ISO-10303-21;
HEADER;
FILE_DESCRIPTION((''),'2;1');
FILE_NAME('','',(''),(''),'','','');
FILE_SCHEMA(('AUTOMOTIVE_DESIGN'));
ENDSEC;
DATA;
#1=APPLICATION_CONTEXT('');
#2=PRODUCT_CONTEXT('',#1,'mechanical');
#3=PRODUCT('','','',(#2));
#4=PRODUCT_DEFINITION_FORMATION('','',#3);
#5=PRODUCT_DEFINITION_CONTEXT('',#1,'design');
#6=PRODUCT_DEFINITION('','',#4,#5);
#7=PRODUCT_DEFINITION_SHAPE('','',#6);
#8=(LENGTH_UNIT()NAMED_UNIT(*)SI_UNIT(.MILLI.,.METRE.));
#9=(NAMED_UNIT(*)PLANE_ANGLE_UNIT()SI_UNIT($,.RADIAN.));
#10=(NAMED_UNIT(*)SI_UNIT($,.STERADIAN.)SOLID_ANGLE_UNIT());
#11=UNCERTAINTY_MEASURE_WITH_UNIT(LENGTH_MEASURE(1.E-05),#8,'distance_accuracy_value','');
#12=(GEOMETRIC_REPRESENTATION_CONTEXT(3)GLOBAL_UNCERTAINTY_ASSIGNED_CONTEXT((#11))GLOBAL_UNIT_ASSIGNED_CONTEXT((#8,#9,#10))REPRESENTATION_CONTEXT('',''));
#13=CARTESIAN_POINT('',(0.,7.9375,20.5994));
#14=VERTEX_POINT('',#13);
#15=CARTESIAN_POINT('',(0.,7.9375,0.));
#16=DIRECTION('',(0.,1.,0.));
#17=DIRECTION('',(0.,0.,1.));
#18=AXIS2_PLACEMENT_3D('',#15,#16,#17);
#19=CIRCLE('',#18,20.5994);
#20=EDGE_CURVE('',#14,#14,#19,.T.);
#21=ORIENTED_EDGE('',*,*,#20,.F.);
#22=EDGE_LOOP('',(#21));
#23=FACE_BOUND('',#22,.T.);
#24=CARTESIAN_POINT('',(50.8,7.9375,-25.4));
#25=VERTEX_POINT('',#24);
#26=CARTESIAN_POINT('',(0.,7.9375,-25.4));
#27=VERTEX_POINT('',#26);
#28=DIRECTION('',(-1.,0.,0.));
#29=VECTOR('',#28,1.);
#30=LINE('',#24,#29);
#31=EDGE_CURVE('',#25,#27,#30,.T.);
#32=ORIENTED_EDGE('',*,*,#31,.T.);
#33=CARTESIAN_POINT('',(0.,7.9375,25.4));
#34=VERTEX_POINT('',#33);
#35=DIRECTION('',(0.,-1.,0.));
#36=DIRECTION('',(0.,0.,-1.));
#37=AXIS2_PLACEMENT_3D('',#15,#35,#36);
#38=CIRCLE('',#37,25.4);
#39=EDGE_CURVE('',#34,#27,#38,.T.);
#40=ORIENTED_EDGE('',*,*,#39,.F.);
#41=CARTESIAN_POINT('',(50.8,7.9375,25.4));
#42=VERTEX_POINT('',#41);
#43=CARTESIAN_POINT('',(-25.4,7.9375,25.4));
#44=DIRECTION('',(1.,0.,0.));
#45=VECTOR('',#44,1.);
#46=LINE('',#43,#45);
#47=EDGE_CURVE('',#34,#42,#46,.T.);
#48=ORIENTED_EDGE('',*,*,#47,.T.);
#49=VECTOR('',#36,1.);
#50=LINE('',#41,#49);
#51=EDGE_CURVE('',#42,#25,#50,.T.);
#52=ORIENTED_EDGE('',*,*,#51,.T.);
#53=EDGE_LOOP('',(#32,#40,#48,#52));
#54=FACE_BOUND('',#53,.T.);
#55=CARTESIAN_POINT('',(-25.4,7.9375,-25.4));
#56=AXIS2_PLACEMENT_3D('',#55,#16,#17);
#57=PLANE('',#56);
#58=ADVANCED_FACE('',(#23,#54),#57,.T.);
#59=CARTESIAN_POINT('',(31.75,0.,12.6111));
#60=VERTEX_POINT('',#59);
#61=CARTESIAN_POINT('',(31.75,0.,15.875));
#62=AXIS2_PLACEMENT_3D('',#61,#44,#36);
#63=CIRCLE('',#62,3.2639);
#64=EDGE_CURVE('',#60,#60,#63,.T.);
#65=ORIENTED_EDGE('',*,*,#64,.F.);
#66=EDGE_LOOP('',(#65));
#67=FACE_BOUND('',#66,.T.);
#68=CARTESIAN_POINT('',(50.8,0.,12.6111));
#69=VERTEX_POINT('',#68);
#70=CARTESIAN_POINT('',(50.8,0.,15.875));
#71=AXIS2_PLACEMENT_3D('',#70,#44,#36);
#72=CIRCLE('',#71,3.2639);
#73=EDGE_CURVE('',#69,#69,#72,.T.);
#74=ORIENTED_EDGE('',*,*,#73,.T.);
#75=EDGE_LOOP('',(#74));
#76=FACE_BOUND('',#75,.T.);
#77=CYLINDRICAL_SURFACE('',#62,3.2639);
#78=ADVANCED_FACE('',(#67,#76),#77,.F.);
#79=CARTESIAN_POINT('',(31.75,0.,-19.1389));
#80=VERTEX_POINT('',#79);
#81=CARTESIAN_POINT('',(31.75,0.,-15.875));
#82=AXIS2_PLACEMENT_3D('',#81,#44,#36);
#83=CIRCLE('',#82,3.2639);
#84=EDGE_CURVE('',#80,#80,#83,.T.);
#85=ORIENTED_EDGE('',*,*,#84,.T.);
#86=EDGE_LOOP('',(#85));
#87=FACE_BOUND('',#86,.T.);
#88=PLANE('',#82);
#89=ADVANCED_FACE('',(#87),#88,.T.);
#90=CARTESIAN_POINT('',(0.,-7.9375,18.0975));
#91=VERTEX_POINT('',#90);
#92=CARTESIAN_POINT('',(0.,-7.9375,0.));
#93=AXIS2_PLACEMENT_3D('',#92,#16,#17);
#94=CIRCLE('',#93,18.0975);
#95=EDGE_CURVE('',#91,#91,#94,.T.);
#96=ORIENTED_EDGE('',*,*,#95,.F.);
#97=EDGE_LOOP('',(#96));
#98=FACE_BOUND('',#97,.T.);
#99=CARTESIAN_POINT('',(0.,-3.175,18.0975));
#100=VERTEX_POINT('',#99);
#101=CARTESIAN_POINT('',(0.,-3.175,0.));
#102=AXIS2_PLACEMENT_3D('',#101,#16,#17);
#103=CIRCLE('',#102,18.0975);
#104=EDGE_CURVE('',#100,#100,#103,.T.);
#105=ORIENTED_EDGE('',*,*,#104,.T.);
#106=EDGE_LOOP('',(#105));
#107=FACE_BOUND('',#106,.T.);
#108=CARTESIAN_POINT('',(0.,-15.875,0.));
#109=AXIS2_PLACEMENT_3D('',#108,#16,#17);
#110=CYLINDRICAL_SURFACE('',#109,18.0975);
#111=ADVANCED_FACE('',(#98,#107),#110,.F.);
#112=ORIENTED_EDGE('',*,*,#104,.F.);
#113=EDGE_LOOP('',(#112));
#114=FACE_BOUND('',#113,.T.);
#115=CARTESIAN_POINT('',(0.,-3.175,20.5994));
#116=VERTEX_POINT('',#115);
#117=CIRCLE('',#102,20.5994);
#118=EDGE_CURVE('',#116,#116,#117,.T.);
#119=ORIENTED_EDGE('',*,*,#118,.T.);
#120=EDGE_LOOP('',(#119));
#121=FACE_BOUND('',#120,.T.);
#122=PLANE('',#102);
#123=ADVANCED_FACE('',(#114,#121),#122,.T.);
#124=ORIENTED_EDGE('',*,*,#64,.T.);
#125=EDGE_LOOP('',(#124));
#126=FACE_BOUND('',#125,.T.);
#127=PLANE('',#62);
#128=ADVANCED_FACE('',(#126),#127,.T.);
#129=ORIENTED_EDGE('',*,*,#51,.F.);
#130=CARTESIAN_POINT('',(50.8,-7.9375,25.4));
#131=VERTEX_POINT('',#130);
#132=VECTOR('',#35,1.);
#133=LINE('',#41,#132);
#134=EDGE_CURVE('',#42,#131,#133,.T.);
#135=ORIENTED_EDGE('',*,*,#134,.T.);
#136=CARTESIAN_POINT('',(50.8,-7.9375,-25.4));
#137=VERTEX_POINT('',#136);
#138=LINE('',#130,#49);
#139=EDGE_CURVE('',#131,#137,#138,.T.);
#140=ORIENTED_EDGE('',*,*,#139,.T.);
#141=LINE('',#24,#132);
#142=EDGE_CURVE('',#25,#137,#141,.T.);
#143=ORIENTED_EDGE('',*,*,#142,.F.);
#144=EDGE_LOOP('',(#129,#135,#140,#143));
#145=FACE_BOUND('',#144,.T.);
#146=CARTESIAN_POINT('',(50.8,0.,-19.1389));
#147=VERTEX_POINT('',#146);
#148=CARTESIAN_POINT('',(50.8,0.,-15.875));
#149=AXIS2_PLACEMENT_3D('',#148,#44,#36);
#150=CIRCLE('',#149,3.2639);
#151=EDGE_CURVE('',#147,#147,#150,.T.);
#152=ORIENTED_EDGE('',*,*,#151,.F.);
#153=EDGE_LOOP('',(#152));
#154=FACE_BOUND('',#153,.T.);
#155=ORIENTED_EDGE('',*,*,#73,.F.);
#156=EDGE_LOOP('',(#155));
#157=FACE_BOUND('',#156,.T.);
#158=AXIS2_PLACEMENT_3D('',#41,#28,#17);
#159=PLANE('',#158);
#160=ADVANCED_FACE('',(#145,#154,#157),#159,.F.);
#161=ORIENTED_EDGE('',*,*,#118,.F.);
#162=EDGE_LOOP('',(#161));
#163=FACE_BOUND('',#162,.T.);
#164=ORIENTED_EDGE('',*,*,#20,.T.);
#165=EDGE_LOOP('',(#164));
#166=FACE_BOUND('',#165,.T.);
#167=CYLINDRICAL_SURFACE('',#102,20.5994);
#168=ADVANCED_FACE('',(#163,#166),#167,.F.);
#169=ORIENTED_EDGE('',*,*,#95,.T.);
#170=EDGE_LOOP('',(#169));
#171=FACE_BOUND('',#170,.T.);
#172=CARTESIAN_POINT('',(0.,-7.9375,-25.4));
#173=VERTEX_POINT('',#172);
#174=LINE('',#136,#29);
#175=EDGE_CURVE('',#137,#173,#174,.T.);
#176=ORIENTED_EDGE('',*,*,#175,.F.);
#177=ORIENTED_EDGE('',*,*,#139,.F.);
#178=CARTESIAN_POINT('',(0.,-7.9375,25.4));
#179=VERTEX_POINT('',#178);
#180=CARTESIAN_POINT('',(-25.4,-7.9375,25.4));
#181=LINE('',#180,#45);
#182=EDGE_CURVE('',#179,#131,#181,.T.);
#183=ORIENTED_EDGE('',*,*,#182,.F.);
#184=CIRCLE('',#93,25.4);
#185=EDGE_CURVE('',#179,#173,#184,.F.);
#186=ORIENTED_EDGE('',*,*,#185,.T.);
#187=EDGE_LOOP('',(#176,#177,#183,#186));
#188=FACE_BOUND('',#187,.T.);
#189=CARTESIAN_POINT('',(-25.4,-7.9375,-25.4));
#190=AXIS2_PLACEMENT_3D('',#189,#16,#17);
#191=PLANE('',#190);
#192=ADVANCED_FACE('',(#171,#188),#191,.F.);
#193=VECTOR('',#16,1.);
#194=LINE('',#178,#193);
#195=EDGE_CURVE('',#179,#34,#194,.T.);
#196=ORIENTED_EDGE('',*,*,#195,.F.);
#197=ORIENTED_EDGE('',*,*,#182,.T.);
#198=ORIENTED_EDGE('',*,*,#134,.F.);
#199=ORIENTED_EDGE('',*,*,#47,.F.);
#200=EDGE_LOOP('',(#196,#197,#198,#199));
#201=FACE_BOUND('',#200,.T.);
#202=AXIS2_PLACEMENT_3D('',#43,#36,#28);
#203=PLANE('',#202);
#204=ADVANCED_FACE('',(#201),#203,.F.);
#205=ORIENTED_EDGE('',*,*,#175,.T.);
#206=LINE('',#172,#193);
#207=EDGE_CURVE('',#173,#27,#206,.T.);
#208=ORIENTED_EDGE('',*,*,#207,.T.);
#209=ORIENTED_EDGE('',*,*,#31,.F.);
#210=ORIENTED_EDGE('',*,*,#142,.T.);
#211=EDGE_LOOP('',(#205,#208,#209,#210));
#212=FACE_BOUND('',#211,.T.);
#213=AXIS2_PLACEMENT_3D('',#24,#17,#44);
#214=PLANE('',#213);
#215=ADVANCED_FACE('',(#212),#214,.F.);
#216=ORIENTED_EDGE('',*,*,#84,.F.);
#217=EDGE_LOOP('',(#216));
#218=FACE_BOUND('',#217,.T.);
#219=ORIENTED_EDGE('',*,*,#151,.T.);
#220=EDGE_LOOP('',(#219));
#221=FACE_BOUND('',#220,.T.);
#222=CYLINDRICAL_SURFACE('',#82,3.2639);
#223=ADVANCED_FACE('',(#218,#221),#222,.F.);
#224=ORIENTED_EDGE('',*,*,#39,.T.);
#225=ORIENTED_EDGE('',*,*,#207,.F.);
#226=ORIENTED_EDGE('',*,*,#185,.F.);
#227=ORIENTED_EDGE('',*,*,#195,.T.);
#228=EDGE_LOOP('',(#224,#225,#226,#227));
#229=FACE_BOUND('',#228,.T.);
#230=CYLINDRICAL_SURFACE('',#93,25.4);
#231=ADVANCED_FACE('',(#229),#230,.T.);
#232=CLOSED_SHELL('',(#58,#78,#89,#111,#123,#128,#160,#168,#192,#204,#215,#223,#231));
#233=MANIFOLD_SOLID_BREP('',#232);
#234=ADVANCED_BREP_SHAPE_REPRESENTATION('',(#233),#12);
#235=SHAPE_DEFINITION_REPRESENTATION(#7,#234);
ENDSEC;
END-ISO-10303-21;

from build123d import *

# Parameters (mm, degrees)
SKETCH1_W           = 76.2
SKETCH1_H           = 50.8
BOSS_EXTRUDE1_DEPTH = 7.9375
SKETCH2_R           = 20.5994
CUT_EXTRUDE1_DEPTH  = 11.1125
SKETCH3_R           = 18.0975
CUT_EXTRUDE2_DEPTH  = 12.7
SKETCH7_R           = 3.2639
CUT_EXTRUDE6_DEPTH  = 19.05
CUT_EXTRUDE7_DEPTH  = 16.875


with BuildPart() as part:
    # Sketch1 → Boss-Extrude1 (new body, symmetric)
    with BuildSketch(Plane(origin=(0, 0, 0), x_dir=(1, 0, 0), z_dir=(0, 1, 0))):
        with Locations((12.7, 0)):
            Rectangle(SKETCH1_W, SKETCH1_H)
    extrude(amount=BOSS_EXTRUDE1_DEPTH, both=True)

    # Sketch2 → Cut-Extrude1 (cut)
    with BuildSketch(Plane(origin=(0, 7.9375, 0), x_dir=(1, 0, 0), z_dir=(0, 1, 0))):
        Circle(SKETCH2_R)
    extrude(amount=-CUT_EXTRUDE1_DEPTH, mode=Mode.SUBTRACT)

    # Sketch3 → Cut-Extrude2 (cut)
    with BuildSketch(Plane(origin=(0, -3.175, 0), x_dir=(1, 0, 0), z_dir=(0, 1, 0))):
        Circle(SKETCH3_R)
    extrude(amount=-CUT_EXTRUDE2_DEPTH, mode=Mode.SUBTRACT)

    # Sketch7 → Cut-Extrude6 (cut)
    with BuildSketch(Plane(origin=(50.8, 0, 0), x_dir=(0, 0, -1), z_dir=(1, 0, 0))):
        with Locations((-15.875, 0)):
            Circle(SKETCH7_R)
        with Locations((15.875, 0)):
            Circle(SKETCH7_R)
    extrude(amount=-CUT_EXTRUDE6_DEPTH, mode=Mode.SUBTRACT)

    # Sketch8 → Cut-Extrude7 (cut, through all)
    with BuildSketch(Plane(origin=(0, 7.9375, 0), x_dir=(1, 0, 0), z_dir=(0, 1, 0))):
        with BuildLine():
            Line((0, -25.4), (0, -38.1))
            Line((0, -38.1), (-50.8, -38.1))
            Line((-50.8, -38.1), (-50.8, 38.1))
            Line((-50.8, 38.1), (0, 38.1))
            Line((0, 38.1), (0, 25.4))
            ThreePointArc((0, 25.4), (-25.4, 0), (0, -25.4))
        make_face()
    extrude(amount=-CUT_EXTRUDE7_DEPTH, mode=Mode.SUBTRACT)


solid = part.part
